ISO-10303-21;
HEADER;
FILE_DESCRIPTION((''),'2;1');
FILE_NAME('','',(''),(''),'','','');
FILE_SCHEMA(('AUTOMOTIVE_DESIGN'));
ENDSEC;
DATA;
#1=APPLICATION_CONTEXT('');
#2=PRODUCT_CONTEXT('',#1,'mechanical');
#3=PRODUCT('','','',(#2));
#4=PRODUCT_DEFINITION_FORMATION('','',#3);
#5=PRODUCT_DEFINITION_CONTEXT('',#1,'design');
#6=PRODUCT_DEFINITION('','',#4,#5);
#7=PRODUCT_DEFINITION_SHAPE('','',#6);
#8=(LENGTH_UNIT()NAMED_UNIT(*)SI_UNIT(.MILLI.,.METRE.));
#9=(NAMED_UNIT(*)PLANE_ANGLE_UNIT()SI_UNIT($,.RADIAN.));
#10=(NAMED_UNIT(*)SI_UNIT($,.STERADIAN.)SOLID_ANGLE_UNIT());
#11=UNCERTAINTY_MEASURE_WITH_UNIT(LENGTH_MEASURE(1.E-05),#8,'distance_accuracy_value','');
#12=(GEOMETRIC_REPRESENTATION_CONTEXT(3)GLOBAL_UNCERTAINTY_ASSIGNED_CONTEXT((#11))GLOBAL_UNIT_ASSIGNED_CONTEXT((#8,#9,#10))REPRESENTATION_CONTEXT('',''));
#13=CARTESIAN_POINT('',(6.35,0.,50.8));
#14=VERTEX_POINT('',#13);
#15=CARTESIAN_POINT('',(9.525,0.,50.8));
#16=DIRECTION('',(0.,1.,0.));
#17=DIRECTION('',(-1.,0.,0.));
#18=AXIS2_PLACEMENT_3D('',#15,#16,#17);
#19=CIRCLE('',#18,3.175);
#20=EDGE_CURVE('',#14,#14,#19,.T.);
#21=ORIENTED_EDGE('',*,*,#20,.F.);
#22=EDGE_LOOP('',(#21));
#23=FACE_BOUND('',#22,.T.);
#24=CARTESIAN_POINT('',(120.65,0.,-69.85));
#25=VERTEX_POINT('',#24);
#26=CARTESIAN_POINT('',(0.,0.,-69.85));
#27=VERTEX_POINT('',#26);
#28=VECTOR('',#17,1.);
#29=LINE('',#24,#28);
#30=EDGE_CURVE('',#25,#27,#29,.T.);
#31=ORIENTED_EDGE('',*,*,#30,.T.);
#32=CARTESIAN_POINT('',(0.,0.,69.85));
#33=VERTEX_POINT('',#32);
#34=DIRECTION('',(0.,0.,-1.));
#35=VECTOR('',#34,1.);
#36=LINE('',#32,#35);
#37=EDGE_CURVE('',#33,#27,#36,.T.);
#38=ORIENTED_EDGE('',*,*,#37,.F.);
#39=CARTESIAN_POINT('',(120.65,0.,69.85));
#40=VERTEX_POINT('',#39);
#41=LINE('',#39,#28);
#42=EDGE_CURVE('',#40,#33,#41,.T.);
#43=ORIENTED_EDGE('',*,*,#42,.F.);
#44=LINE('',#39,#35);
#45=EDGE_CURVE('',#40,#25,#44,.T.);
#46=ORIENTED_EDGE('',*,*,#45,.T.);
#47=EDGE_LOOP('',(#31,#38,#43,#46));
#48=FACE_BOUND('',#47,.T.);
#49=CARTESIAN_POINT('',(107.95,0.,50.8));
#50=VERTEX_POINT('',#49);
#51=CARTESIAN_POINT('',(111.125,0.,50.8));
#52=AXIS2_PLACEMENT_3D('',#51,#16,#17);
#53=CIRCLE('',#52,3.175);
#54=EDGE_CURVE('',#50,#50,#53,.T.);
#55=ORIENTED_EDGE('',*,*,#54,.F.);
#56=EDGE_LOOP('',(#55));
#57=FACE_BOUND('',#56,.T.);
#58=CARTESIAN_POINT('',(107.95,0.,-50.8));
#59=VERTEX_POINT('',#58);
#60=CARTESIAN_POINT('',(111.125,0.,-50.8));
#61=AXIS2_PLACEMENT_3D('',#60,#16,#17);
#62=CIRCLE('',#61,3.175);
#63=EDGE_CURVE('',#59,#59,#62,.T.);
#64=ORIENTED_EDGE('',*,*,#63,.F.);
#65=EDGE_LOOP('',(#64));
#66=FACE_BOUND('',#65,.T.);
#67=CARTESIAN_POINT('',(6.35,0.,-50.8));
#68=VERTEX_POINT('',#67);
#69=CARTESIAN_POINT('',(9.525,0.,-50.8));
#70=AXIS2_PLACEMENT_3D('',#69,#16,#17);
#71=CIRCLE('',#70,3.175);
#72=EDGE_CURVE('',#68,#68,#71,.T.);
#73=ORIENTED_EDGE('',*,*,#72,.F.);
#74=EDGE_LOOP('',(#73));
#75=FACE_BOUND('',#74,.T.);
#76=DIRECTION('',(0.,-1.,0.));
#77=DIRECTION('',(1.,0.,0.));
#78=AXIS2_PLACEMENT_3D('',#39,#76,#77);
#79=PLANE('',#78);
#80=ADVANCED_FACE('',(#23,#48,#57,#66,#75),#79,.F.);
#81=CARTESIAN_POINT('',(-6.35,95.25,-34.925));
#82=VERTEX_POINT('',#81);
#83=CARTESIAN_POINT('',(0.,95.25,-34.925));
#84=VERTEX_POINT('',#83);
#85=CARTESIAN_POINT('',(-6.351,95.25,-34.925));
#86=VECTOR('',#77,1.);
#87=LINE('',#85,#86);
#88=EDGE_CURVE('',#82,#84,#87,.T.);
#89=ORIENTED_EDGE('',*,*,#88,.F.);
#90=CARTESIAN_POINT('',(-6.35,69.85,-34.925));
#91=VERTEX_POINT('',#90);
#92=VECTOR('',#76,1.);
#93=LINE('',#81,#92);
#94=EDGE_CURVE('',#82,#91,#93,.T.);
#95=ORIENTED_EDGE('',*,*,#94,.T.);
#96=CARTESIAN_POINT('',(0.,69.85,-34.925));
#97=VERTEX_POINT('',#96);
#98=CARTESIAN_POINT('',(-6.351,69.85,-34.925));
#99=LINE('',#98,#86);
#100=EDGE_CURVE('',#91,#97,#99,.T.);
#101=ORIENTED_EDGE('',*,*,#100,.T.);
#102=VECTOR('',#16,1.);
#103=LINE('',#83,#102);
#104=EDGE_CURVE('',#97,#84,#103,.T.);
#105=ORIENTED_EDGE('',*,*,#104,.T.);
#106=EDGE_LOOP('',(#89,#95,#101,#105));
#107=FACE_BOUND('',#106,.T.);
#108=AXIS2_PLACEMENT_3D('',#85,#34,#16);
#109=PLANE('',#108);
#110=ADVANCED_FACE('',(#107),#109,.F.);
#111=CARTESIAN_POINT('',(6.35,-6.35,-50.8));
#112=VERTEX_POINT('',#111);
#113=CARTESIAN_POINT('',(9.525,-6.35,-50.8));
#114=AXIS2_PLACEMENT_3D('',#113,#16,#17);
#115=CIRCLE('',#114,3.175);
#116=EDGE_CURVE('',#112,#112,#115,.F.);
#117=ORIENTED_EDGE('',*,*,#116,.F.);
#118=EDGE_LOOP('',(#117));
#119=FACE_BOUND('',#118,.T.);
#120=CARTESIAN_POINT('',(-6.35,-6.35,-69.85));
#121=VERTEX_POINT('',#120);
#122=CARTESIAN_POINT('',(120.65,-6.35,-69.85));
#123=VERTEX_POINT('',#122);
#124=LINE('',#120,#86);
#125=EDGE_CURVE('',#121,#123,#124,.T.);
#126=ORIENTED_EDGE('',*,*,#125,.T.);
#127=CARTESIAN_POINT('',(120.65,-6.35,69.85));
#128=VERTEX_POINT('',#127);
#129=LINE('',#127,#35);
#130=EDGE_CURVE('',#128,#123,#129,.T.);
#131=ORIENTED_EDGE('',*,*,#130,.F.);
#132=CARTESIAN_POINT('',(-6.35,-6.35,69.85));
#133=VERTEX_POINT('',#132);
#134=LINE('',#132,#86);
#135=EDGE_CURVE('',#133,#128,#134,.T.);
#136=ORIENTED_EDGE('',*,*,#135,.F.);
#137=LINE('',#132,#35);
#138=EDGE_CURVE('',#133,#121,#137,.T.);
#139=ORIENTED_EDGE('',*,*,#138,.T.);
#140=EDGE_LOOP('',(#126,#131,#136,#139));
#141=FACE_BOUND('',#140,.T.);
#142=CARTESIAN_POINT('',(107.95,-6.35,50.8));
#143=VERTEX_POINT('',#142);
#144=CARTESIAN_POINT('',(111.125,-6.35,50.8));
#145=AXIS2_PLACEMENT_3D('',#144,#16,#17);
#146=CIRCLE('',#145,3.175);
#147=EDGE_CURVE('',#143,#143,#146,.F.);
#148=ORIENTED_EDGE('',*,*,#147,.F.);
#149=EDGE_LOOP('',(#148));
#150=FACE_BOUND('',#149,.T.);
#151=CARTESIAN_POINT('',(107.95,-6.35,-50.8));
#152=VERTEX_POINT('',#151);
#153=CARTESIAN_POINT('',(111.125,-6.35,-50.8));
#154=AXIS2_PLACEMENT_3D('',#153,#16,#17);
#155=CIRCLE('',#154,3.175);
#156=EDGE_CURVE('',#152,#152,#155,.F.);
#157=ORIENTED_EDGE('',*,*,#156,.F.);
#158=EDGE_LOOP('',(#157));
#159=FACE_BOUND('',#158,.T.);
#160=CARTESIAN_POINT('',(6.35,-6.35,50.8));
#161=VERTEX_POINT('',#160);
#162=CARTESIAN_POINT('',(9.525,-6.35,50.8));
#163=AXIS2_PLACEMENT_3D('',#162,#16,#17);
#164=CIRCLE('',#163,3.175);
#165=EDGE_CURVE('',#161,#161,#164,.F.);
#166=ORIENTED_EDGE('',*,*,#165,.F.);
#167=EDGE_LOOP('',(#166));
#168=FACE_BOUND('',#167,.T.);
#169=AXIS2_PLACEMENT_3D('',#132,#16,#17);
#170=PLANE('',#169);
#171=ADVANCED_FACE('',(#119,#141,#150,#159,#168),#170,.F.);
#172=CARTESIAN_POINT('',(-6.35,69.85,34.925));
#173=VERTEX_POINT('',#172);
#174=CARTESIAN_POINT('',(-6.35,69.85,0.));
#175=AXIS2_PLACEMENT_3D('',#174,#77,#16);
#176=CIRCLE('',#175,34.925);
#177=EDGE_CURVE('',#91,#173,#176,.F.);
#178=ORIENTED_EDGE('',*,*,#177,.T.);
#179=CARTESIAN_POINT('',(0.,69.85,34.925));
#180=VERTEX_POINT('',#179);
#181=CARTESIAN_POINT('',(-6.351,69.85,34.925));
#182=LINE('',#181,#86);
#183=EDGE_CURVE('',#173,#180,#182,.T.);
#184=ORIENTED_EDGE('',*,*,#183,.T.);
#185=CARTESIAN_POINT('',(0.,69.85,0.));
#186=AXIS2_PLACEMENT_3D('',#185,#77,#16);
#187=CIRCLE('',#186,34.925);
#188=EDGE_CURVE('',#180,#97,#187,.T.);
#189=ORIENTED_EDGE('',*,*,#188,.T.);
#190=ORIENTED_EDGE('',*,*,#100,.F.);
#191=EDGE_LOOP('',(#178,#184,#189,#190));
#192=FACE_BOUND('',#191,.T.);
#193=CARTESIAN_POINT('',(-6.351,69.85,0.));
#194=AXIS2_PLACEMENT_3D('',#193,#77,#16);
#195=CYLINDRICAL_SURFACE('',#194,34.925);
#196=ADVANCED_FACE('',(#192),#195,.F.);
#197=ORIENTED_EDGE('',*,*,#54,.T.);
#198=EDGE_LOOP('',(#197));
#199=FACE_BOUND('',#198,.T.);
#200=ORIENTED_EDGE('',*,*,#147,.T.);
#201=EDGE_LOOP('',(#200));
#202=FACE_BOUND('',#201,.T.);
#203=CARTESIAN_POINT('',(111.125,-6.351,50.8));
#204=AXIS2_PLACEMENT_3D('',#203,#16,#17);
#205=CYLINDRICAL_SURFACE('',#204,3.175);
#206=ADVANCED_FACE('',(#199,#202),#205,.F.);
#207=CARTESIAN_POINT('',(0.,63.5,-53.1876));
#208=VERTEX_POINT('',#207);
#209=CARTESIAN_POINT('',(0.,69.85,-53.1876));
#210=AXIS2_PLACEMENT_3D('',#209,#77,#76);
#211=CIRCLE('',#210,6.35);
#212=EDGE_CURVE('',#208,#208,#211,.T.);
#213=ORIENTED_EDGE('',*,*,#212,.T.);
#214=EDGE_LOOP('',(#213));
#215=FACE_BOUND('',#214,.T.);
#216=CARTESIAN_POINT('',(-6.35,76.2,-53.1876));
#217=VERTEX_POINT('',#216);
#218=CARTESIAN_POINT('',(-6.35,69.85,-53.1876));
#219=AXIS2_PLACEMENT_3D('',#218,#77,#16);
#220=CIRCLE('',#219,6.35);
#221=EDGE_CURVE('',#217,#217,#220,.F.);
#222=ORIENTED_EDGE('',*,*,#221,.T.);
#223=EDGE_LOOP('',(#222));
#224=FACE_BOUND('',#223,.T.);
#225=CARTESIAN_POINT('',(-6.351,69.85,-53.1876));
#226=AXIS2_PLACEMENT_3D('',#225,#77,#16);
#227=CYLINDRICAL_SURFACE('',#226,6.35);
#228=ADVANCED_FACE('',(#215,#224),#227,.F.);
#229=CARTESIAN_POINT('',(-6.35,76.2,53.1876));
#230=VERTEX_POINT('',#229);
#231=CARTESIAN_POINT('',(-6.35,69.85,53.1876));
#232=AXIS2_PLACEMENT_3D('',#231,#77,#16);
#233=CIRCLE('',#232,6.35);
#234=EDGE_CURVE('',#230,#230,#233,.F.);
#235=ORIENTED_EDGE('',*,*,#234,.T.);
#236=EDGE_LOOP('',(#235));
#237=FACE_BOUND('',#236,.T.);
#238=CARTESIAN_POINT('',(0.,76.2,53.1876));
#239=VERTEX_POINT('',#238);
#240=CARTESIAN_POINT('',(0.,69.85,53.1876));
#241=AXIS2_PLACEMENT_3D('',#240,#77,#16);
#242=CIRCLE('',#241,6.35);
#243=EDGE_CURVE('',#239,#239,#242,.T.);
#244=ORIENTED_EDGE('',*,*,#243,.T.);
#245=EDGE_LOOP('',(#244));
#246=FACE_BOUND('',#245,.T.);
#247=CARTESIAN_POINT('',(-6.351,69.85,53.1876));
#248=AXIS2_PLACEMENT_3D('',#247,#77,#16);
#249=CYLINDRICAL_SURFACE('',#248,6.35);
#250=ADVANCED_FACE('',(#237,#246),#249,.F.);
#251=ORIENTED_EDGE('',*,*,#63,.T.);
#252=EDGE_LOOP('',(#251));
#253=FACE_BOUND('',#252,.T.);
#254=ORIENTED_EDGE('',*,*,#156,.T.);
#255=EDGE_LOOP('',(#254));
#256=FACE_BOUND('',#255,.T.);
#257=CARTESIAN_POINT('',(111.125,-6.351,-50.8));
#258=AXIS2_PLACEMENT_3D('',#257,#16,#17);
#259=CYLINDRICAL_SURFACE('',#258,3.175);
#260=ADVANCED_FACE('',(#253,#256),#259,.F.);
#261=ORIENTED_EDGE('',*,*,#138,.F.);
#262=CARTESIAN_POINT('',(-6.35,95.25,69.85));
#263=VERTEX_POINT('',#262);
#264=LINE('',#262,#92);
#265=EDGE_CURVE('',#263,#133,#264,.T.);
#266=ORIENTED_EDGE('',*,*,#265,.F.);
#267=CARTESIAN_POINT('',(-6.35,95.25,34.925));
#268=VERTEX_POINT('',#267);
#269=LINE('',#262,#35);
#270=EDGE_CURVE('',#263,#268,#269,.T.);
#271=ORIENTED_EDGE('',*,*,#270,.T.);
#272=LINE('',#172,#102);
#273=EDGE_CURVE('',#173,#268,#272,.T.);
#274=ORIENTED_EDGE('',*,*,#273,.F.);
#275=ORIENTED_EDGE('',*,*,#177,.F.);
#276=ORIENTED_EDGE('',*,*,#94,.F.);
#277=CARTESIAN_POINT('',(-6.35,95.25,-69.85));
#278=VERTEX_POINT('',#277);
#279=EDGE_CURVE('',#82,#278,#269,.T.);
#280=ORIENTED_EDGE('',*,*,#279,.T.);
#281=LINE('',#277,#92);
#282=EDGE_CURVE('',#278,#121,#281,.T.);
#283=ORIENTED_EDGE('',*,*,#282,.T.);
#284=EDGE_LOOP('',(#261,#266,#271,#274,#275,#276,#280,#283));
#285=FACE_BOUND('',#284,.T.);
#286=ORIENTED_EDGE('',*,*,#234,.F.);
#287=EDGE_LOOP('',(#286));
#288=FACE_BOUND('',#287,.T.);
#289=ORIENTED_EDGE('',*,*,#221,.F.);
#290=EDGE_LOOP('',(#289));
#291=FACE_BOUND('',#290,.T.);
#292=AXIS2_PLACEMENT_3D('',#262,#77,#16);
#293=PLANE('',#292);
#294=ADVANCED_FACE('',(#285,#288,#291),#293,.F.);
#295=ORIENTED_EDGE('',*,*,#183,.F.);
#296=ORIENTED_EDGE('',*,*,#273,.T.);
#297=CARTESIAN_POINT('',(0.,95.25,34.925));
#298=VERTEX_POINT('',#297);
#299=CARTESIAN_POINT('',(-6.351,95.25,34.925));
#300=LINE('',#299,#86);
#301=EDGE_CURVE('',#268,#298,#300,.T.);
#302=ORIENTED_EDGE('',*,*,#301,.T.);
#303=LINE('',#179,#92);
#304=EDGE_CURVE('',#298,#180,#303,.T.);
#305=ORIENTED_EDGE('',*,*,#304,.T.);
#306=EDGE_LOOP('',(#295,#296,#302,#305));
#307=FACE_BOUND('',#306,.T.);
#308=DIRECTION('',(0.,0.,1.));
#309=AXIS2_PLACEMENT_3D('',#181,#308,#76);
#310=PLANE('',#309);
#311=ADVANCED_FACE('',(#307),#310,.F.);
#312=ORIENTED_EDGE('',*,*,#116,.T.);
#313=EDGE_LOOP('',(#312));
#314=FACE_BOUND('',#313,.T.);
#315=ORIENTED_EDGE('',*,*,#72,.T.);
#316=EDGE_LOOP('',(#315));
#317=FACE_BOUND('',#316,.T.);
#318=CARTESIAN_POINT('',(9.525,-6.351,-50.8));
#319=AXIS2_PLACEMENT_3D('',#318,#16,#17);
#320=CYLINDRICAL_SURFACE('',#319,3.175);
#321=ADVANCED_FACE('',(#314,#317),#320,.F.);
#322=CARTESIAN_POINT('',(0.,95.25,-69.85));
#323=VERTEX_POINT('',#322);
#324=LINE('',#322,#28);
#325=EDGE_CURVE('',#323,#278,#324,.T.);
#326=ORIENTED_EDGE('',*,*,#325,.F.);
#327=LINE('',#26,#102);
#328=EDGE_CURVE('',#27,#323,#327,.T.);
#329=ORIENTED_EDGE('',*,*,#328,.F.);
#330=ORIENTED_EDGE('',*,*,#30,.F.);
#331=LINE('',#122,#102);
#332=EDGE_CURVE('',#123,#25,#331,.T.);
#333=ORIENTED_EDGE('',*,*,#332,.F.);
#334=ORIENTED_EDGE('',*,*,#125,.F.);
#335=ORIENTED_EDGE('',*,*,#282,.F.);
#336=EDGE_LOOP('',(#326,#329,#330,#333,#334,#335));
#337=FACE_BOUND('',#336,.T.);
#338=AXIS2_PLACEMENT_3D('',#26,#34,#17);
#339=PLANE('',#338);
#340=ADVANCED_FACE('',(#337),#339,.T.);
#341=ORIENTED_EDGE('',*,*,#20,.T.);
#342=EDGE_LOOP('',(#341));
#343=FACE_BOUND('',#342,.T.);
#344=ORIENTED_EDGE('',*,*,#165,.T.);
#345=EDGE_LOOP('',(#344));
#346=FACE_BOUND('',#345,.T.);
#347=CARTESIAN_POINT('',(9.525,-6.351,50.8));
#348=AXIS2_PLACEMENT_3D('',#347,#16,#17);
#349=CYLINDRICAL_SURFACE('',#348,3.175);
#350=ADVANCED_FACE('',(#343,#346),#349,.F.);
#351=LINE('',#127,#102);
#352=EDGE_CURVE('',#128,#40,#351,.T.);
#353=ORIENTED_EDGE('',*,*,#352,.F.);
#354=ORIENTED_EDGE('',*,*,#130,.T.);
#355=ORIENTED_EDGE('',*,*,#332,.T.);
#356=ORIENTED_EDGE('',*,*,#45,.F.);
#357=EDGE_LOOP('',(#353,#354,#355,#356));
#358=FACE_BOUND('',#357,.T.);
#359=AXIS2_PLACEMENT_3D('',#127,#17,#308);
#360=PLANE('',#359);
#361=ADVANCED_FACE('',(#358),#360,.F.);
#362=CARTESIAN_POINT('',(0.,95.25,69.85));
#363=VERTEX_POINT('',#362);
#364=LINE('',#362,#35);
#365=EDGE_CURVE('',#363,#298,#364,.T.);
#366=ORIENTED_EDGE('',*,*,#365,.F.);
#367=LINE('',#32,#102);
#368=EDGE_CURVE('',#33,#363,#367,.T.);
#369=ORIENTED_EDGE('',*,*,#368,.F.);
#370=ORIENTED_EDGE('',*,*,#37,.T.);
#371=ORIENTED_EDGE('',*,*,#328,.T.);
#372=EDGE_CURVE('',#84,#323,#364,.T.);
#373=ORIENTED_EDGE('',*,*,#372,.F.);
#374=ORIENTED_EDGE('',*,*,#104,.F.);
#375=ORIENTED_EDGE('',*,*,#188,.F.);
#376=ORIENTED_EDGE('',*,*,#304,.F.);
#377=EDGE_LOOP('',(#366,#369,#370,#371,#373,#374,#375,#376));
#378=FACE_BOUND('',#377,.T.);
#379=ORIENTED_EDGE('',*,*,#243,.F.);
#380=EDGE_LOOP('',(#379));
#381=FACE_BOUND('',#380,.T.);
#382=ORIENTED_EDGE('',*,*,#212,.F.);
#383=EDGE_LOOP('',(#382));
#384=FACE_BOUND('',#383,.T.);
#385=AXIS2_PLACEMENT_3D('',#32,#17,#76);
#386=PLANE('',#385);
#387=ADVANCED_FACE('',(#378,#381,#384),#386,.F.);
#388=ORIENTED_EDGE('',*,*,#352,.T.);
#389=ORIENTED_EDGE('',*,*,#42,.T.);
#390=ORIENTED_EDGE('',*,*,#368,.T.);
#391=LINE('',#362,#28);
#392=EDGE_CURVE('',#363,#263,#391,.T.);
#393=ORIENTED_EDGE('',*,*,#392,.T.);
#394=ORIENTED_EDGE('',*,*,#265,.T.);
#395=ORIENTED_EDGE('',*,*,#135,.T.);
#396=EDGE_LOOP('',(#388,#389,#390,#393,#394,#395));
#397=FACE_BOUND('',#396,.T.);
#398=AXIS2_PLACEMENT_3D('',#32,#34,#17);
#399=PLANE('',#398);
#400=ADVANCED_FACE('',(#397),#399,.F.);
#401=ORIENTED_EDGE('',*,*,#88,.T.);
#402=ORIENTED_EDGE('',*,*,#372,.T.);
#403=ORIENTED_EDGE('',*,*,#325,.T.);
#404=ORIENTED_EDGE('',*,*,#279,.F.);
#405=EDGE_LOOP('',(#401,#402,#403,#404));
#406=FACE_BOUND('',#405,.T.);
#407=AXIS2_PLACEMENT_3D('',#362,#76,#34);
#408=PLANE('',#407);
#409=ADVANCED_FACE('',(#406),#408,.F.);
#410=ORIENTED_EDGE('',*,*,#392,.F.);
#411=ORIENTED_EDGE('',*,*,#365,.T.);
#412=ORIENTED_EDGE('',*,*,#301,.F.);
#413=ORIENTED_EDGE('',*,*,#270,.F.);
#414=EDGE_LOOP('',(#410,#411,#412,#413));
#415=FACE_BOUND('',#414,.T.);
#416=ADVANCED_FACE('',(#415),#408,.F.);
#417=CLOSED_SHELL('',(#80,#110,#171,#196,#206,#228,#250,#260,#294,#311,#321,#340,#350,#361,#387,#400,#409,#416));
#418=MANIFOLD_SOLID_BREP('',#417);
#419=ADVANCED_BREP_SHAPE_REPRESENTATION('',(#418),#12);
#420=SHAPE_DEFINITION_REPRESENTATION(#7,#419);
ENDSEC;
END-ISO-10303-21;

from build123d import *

# Parameters (mm, degrees)
BOSS_EXTRUDE1_DEPTH = 69.85
CUT_EXTRUDE1_REACH  = 8.35
SKETCH2_R           = 6.35
CUT_EXTRUDE2_REACH  = 8.35
SKETCH3_R           = 3.175


with BuildPart() as part:
    # Sketch1 → Boss-Extrude1 (new body, symmetric)
    with BuildSketch(Plane.XY):
        Polygon((0, 0), (0, 95.25), (-6.35, 95.25), (-6.35, -6.35), (120.65, -6.35), (120.65, 0), align=None)
    extrude(amount=BOSS_EXTRUDE1_DEPTH, both=True)

    # Sketch2 → Cut-Extrude1 (cut, up to next)
    with BuildSketch(Plane(origin=(0, 0, 0), x_dir=(0, 0, -1), z_dir=(1, 0, 0)), mode=Mode.PRIVATE) as cut_extrude1_sk1:
        with Locations((-53.1876, 69.85)):
            Circle(SKETCH2_R)
    cut_extrude1_tool1 = extrude(cut_extrude1_sk1.sketch, amount=-CUT_EXTRUDE1_REACH, mode=Mode.PRIVATE) & part.part
    add(cut_extrude1_tool1.solids().sort_by_distance((0, 69.85, 53.1876))[0], mode=Mode.SUBTRACT)
    # Sketch2 → Cut-Extrude1 (cut, up to next)
    with BuildSketch(Plane(origin=(0, 0, 0), x_dir=(0, 0, -1), z_dir=(1, 0, 0)), mode=Mode.PRIVATE) as cut_extrude1_sk2:
        with Locations((53.1876, 69.85)):
            Circle(SKETCH2_R)
    cut_extrude1_tool2 = extrude(cut_extrude1_sk2.sketch, amount=-CUT_EXTRUDE1_REACH, mode=Mode.PRIVATE) & part.part
    add(cut_extrude1_tool2.solids().sort_by_distance((0, 69.85, -53.1876))[0], mode=Mode.SUBTRACT)
    # Sketch2 → Cut-Extrude1 (cut, up to next)
    with BuildSketch(Plane(origin=(0, 0, 0), x_dir=(0, 0, -1), z_dir=(1, 0, 0)), mode=Mode.PRIVATE) as cut_extrude1_sk3:
        with BuildLine():
            Line((-34.925, 69.85), (-34.925, 95.25))
            Line((-34.925, 95.25), (34.925, 95.25))
            Line((34.925, 95.25), (34.925, 69.85))
            ThreePointArc((34.925, 69.85), (0, 34.925), (-34.925, 69.85))
        make_face()
    cut_extrude1_tool3 = extrude(cut_extrude1_sk3.sketch, amount=-CUT_EXTRUDE1_REACH, mode=Mode.PRIVATE) & part.part
    add(cut_extrude1_tool3.solids().sort_by_distance((0, 68.259897, 0))[0], mode=Mode.SUBTRACT)

    # Sketch3 → Cut-Extrude2 (cut, up to next)
    with BuildSketch(Plane(origin=(0, 0, 0), x_dir=(1, 0, 0), z_dir=(0, 1, 0)), mode=Mode.PRIVATE) as cut_extrude2_sk1:
        with Locations((9.525, 50.8)):
            Circle(SKETCH3_R)
    cut_extrude2_tool1 = extrude(cut_extrude2_sk1.sketch, amount=-CUT_EXTRUDE2_REACH, mode=Mode.PRIVATE) & part.part
    add(cut_extrude2_tool1.solids().sort_by_distance((9.525, 0, -50.8))[0], mode=Mode.SUBTRACT)
    # Sketch3 → Cut-Extrude2 (cut, up to next)
    with BuildSketch(Plane(origin=(0, 0, 0), x_dir=(1, 0, 0), z_dir=(0, 1, 0)), mode=Mode.PRIVATE) as cut_extrude2_sk2:
        with Locations((111.125, 50.8)):
            Circle(SKETCH3_R)
    cut_extrude2_tool2 = extrude(cut_extrude2_sk2.sketch, amount=-CUT_EXTRUDE2_REACH, mode=Mode.PRIVATE) & part.part
    add(cut_extrude2_tool2.solids().sort_by_distance((111.125, 0, -50.8))[0], mode=Mode.SUBTRACT)
    # Sketch3 → Cut-Extrude2 (cut, up to next)
    with BuildSketch(Plane(origin=(0, 0, 0), x_dir=(1, 0, 0), z_dir=(0, 1, 0)), mode=Mode.PRIVATE) as cut_extrude2_sk3:
        with Locations((9.525, -50.8)):
            Circle(SKETCH3_R)
    cut_extrude2_tool3 = extrude(cut_extrude2_sk3.sketch, amount=-CUT_EXTRUDE2_REACH, mode=Mode.PRIVATE) & part.part
    add(cut_extrude2_tool3.solids().sort_by_distance((9.525, 0, 50.8))[0], mode=Mode.SUBTRACT)
    # Sketch3 → Cut-Extrude2 (cut, up to next)
    with BuildSketch(Plane(origin=(0, 0, 0), x_dir=(1, 0, 0), z_dir=(0, 1, 0)), mode=Mode.PRIVATE) as cut_extrude2_sk4:
        with Locations((111.125, -50.8)):
            Circle(SKETCH3_R)
    cut_extrude2_tool4 = extrude(cut_extrude2_sk4.sketch, amount=-CUT_EXTRUDE2_REACH, mode=Mode.PRIVATE) & part.part
    add(cut_extrude2_tool4.solids().sort_by_distance((111.125, 0, 50.8))[0], mode=Mode.SUBTRACT)


solid = part.part
